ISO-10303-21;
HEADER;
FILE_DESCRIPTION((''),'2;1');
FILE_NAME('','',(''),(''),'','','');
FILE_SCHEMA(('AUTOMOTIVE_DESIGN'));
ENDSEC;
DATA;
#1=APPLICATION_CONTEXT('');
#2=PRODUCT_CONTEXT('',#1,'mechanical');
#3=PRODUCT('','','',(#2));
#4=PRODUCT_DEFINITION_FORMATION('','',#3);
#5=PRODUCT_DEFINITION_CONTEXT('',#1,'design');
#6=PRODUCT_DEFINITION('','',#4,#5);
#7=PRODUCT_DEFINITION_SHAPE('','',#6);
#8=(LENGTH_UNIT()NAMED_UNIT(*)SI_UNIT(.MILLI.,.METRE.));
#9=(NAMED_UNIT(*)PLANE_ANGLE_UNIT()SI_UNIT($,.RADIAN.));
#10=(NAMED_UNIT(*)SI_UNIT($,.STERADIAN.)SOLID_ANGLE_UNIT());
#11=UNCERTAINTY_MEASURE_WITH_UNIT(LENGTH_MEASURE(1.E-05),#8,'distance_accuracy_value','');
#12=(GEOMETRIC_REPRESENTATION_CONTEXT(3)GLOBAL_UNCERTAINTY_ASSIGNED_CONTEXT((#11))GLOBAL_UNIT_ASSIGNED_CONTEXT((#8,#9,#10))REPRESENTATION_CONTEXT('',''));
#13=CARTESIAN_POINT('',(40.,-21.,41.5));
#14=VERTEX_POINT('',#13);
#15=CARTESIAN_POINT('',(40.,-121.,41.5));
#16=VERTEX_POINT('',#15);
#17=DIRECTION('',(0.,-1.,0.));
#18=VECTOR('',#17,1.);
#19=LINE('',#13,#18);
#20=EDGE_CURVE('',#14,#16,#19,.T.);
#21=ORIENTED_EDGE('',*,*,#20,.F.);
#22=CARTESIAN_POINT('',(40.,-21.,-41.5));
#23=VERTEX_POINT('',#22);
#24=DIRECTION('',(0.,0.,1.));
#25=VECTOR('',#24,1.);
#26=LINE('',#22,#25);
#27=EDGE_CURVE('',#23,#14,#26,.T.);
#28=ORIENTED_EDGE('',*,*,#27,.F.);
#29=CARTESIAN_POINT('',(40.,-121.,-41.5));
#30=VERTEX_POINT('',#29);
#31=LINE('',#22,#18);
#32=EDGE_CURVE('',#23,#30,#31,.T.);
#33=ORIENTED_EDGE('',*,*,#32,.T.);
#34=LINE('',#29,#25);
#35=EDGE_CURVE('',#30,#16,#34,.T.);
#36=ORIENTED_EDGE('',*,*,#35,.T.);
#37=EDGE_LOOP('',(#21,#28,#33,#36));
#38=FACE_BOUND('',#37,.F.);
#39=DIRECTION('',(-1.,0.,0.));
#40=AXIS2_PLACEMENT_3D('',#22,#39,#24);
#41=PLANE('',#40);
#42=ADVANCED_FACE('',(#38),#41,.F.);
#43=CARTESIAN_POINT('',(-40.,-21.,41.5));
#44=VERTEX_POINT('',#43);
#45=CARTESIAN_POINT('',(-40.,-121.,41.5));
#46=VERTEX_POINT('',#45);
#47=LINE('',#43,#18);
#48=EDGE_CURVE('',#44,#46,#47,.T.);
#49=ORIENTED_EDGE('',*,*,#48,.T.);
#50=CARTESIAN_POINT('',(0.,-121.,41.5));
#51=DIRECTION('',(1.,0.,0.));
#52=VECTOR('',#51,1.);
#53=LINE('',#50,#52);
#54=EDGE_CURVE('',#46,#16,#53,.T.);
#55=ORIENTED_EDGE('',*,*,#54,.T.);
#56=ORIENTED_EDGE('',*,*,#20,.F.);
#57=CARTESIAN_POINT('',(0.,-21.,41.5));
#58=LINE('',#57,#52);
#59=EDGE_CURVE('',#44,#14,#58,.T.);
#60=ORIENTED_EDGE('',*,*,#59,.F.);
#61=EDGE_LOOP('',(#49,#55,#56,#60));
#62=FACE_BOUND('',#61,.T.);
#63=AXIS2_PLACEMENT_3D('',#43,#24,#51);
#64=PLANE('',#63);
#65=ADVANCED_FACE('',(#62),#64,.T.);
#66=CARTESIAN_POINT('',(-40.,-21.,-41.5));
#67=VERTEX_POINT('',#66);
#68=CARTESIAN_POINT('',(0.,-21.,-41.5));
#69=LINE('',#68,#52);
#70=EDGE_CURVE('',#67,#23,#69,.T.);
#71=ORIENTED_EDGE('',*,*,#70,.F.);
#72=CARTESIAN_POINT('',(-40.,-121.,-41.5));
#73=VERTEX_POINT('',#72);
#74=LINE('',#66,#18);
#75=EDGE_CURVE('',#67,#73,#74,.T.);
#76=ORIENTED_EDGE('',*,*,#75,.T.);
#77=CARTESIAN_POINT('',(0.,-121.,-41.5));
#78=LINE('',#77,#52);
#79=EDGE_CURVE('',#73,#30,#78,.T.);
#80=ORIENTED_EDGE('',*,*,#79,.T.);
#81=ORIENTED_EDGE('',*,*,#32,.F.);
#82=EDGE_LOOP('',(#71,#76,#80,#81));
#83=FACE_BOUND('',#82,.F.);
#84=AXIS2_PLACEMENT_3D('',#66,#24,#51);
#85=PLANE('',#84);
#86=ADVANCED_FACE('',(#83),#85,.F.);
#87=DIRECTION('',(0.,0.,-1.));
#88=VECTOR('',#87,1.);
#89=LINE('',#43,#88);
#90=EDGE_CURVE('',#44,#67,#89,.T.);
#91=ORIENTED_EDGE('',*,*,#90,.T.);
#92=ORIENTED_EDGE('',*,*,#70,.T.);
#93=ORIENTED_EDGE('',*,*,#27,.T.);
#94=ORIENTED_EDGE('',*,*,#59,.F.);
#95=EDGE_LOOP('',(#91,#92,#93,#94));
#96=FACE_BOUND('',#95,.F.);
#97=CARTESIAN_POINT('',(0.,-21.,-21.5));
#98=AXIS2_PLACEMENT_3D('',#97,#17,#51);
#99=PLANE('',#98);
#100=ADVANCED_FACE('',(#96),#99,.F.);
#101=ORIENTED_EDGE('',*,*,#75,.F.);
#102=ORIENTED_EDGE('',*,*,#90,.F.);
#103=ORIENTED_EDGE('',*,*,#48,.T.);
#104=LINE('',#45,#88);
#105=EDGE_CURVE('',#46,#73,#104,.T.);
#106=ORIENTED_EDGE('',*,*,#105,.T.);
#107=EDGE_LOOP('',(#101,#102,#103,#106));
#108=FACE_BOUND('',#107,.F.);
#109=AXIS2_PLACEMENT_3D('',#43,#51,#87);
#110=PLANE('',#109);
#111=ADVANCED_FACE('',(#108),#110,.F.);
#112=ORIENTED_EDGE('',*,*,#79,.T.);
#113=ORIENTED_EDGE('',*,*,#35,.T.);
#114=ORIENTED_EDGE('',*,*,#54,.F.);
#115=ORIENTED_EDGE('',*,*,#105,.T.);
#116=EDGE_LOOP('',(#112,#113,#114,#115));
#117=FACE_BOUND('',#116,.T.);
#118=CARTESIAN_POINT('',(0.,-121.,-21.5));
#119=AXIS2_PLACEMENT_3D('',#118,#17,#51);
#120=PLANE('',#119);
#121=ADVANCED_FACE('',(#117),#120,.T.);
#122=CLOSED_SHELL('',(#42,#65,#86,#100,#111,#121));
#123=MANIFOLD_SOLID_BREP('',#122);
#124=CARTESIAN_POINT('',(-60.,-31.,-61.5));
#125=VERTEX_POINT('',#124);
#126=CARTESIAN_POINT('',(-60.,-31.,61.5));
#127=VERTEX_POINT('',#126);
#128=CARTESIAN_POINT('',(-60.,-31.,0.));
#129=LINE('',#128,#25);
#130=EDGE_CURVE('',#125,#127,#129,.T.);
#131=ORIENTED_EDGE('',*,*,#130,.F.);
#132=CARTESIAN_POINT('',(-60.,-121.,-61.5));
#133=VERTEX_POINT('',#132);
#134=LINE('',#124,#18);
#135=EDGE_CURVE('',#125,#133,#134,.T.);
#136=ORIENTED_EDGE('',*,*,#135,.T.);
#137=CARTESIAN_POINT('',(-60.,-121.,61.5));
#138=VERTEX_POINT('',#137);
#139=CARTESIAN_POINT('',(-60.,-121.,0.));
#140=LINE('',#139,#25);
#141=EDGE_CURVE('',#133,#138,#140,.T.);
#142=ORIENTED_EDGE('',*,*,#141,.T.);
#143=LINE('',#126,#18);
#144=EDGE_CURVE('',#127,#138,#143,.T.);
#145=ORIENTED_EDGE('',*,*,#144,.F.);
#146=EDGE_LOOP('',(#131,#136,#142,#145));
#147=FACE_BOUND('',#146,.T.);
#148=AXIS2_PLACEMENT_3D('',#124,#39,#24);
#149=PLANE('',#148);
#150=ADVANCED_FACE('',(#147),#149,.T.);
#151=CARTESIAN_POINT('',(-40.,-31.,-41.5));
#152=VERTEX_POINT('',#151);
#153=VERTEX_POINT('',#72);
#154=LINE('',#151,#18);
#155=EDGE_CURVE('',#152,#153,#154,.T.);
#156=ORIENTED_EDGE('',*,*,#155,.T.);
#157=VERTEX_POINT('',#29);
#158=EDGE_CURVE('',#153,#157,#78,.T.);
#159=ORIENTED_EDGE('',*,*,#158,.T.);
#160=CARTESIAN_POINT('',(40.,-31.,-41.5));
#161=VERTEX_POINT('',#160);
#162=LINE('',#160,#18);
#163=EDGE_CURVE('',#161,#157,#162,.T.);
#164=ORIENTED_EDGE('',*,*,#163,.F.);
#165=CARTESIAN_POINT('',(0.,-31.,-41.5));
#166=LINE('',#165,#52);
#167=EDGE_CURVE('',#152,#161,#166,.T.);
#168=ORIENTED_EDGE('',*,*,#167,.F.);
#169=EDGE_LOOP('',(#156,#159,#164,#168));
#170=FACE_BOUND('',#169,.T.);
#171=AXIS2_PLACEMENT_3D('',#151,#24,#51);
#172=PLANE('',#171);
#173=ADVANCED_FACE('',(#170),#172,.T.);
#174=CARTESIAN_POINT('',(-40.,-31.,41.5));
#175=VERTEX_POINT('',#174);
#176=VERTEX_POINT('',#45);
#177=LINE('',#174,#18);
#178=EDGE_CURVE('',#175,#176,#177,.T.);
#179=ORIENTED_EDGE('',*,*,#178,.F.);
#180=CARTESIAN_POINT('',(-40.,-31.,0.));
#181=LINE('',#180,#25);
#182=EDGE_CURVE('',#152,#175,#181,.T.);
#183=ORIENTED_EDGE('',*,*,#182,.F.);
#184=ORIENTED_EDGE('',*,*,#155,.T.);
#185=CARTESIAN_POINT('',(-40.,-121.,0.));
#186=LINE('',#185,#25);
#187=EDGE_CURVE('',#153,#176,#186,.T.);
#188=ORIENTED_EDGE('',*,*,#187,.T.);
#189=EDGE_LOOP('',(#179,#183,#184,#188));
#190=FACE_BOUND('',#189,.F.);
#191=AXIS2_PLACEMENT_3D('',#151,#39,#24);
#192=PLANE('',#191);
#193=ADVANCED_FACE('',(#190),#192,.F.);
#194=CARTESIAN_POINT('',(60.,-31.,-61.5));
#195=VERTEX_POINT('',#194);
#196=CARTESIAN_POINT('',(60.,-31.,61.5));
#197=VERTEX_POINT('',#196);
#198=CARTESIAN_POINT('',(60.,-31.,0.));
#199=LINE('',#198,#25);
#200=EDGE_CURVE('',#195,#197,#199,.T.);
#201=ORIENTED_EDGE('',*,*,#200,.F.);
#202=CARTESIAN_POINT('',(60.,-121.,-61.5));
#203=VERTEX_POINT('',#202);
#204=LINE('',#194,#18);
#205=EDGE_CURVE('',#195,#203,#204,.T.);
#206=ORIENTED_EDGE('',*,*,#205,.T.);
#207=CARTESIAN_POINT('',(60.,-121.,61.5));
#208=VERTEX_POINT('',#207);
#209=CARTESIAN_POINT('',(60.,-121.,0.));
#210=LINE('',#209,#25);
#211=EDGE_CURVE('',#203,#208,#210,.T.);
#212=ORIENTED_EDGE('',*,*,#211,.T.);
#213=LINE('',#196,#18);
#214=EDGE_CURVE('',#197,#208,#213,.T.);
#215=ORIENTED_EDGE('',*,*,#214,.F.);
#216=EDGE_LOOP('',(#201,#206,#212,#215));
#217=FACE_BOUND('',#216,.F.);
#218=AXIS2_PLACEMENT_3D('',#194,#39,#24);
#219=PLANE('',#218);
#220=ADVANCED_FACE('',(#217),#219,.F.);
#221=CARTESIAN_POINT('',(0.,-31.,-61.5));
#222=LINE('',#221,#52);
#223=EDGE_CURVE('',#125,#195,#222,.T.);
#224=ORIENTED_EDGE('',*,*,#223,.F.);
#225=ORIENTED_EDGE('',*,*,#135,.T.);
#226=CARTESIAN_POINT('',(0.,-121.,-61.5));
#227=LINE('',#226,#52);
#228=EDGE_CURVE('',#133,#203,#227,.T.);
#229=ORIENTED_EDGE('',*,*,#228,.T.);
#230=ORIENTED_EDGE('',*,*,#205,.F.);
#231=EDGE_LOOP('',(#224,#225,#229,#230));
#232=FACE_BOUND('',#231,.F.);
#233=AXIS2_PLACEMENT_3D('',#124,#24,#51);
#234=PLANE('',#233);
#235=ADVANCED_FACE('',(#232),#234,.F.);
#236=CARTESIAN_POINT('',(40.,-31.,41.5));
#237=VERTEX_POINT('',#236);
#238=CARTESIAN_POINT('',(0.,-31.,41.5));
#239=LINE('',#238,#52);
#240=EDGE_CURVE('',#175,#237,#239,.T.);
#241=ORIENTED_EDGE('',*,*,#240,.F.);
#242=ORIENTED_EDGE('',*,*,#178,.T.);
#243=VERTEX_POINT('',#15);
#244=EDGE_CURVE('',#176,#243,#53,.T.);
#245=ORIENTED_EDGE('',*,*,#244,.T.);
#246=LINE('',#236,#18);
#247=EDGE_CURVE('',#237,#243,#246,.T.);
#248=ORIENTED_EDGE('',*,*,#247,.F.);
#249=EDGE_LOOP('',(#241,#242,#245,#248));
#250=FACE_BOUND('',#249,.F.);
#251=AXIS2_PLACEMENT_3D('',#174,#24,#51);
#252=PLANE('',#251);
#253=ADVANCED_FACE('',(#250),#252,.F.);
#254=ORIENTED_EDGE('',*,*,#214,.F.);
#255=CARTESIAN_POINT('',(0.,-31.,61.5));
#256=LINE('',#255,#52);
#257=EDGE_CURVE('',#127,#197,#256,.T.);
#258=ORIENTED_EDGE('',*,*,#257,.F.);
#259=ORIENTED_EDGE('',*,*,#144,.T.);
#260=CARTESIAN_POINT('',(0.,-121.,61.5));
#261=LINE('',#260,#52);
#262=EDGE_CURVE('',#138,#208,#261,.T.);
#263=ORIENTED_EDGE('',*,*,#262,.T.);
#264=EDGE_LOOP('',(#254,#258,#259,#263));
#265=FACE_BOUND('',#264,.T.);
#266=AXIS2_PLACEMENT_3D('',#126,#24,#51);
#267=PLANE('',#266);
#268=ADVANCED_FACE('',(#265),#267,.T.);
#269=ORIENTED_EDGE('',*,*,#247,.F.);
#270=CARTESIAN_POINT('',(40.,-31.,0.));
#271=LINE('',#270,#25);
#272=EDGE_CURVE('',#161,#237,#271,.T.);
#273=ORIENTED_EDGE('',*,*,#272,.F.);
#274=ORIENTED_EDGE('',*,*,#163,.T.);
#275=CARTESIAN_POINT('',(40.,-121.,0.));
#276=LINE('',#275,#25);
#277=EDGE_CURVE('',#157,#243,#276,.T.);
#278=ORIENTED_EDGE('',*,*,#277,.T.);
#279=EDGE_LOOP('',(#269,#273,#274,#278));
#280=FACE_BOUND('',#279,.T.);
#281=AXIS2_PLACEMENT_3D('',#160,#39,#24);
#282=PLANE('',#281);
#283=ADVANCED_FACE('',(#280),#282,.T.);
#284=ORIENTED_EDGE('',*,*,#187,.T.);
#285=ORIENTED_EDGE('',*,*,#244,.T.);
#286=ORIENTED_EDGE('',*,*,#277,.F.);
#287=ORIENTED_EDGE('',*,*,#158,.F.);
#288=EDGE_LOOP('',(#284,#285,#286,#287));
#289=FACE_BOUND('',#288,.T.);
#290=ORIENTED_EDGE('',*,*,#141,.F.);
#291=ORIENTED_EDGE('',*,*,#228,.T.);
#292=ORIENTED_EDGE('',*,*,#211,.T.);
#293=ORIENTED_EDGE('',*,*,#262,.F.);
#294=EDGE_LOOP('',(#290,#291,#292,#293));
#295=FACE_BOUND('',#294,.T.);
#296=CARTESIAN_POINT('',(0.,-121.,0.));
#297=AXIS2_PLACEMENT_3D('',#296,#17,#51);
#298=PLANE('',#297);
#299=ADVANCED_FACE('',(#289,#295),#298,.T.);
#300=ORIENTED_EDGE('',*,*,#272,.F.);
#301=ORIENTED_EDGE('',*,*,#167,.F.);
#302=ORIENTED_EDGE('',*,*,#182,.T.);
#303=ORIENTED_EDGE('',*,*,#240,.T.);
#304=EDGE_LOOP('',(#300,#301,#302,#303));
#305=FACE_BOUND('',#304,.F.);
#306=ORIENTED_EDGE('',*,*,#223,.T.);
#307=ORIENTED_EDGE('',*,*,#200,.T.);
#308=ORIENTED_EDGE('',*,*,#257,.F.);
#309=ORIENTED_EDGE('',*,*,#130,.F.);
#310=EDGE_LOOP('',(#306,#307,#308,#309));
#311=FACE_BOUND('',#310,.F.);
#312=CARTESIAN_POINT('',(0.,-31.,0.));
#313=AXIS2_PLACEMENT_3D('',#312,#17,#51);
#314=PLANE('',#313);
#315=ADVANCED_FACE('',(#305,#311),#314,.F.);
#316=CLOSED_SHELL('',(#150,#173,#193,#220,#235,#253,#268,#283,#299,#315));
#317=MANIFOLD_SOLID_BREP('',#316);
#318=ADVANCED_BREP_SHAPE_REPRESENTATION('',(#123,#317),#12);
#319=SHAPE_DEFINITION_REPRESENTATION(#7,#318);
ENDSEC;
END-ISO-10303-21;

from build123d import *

# Parameters (mm, degrees)
F1_W     = 80
F1_H     = 40
F1_H_2   = 3
F2_DEPTH = 100
F4_W     = 120
F4_H     = 123
F4_W_2   = 80
F4_H_2   = 83
F5_DEPTH = 90


with BuildPart() as f2:
    # F1 (on offset) → F2 (new body)
    with BuildSketch(Plane.XZ.offset(21)):
        with Locations((0, -21.5)):
            Rectangle(F1_W, F1_H)
        Rectangle(F1_W, F1_H_2)
        with Locations((0, 21.5)):
            Rectangle(F1_W, F1_H)
    extrude(amount=F2_DEPTH)


with BuildPart() as f5:
    # F4 (on offset) → F5 (new body)
    with BuildSketch(Plane.XZ.offset(31)):
        Rectangle(F4_W, F4_H)
        Rectangle(F4_W_2, F4_H_2, mode=Mode.SUBTRACT)
    extrude(amount=F5_DEPTH)


solid = Compound([f2.part, f5.part])
